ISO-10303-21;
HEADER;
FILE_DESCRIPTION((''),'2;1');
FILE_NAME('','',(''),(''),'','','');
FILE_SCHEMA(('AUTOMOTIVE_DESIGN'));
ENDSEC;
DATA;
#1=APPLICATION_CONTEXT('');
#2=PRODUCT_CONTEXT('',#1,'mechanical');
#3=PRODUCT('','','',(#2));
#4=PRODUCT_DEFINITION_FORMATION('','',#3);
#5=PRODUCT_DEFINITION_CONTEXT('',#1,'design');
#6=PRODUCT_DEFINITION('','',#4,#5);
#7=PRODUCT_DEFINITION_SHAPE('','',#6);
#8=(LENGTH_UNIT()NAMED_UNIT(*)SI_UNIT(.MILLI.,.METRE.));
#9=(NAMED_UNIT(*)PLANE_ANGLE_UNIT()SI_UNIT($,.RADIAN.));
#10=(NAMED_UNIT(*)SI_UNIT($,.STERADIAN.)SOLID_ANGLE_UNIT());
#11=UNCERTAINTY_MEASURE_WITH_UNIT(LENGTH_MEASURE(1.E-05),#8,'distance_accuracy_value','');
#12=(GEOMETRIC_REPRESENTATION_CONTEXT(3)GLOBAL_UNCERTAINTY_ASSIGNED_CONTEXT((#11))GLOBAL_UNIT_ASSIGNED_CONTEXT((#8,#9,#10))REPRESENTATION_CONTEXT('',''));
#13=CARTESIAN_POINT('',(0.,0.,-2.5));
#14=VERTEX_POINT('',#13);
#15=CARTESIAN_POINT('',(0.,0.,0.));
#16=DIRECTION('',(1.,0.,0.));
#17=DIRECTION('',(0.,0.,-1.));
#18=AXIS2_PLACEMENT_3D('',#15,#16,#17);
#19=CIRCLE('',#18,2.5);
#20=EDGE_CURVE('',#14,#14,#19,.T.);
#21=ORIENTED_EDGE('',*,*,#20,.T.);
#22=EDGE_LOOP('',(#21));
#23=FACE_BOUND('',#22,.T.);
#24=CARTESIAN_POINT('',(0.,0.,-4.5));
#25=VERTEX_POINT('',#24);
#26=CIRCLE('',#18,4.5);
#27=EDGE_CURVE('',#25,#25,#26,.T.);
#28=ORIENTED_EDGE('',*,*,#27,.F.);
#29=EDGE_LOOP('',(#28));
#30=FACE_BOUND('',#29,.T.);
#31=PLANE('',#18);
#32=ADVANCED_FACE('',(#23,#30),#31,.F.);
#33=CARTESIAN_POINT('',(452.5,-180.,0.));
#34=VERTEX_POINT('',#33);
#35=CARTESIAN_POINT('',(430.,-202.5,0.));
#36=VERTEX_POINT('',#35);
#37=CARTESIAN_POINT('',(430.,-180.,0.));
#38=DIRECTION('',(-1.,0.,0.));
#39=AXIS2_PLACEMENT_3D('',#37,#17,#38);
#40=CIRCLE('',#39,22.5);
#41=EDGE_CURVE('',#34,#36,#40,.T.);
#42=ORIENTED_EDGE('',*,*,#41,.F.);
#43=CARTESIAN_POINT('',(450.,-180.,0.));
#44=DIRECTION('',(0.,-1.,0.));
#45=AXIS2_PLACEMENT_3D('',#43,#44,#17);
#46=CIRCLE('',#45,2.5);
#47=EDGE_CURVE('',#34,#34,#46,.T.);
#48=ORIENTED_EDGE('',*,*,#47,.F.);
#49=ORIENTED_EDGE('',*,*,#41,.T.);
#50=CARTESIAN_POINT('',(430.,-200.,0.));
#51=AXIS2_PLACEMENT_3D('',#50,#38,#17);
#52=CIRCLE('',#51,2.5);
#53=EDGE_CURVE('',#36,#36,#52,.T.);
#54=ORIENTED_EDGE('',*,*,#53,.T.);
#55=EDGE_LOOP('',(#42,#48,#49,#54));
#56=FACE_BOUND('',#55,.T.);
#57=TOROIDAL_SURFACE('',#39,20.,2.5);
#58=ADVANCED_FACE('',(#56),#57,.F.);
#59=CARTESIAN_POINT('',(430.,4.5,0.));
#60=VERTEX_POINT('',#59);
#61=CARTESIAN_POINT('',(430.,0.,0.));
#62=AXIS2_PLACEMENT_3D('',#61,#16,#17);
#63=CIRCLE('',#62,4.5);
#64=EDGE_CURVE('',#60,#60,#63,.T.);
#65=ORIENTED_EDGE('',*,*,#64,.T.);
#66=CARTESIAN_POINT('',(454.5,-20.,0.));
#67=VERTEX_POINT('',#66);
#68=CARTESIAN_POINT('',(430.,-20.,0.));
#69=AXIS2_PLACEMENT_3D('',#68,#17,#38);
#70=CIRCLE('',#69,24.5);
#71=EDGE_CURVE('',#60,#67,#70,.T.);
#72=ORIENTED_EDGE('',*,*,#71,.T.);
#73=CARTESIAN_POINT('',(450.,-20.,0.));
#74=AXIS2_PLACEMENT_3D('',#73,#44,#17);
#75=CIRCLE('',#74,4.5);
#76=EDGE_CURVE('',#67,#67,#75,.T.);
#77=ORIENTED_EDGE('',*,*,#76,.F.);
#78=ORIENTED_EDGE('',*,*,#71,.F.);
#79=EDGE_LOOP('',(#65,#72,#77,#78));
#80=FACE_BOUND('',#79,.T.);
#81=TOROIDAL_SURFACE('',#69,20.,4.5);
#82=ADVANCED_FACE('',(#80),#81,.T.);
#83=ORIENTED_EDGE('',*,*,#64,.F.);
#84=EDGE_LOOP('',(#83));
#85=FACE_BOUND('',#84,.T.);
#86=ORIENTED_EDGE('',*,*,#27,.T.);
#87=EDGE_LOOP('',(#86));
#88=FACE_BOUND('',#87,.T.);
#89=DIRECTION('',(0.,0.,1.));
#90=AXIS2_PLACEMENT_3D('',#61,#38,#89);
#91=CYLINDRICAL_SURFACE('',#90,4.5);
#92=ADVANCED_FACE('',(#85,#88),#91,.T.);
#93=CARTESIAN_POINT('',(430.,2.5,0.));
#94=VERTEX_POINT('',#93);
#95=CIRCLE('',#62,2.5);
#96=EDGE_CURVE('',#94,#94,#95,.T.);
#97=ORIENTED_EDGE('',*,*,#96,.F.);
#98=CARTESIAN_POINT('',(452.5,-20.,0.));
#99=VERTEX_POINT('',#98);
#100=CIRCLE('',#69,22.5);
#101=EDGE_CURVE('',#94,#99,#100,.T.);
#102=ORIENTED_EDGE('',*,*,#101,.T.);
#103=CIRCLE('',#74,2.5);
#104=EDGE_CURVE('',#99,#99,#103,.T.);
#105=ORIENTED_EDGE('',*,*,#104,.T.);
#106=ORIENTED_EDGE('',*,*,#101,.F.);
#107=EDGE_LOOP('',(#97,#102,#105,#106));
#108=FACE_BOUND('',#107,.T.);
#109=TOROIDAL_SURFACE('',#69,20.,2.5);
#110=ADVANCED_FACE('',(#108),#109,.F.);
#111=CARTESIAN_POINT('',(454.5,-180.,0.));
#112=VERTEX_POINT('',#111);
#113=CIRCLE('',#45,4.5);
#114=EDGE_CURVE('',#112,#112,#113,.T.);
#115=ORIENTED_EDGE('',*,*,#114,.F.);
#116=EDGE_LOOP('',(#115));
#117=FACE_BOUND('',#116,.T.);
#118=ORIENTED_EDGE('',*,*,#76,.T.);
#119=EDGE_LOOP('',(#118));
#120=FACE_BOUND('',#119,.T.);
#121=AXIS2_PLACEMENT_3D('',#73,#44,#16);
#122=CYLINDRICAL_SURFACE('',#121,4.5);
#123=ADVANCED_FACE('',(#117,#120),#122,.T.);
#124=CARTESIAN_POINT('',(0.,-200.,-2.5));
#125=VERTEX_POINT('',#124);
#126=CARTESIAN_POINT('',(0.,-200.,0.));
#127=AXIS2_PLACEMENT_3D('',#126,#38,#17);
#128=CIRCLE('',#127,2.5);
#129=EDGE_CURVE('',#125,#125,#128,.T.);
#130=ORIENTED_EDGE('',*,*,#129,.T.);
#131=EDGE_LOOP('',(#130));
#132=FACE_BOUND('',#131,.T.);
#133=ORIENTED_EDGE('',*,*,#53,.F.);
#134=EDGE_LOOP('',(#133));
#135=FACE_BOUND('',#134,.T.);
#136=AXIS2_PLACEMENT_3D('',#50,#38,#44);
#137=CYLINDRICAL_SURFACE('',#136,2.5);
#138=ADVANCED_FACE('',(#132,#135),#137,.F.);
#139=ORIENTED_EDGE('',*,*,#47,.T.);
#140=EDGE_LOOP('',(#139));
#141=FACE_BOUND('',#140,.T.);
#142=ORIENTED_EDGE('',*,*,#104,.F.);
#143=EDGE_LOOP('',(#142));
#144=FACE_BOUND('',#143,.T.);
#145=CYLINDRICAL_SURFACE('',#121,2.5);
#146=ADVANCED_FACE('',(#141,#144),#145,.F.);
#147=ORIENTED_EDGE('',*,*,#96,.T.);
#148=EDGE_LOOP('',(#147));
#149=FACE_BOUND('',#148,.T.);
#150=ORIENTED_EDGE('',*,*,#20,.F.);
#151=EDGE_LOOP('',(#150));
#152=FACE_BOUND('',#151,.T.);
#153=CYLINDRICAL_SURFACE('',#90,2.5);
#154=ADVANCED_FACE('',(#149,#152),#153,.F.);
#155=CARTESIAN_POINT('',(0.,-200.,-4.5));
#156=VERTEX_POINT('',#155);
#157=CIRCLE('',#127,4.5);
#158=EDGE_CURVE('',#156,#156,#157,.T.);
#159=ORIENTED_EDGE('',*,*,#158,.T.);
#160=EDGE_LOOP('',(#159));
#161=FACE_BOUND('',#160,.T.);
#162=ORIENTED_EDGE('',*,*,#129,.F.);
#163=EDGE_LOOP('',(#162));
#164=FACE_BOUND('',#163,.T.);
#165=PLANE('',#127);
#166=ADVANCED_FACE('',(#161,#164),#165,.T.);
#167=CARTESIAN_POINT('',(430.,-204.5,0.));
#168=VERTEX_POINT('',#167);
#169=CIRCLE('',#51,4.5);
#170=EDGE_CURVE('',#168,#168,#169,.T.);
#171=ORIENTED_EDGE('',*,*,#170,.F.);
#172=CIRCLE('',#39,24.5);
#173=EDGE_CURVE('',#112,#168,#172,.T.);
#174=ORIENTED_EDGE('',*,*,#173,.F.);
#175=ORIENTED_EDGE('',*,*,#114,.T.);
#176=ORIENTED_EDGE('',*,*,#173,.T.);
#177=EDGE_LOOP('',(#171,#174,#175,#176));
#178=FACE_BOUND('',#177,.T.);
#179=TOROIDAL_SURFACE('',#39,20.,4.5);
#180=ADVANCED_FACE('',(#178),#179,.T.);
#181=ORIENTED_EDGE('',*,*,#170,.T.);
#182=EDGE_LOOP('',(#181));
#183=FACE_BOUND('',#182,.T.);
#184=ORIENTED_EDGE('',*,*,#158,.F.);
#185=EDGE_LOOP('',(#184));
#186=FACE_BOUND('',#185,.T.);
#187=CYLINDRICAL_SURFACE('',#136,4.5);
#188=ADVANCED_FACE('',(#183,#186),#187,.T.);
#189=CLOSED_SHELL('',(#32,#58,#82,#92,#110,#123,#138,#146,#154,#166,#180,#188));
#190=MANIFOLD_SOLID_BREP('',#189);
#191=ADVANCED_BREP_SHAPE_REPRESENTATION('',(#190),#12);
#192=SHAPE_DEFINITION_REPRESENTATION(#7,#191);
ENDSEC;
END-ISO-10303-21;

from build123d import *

# Parameters (mm, degrees)
SKETCH1_R   = 4.5
SKETCH1_R_2 = 2.5


with BuildPart() as part:
    # Sweep1: sweep along a path in Sketch2
    with BuildLine(Plane.XY) as sweep1_path:
        Line((0, 0), (430, 0))
        ThreePointArc((430, 0), (444.142135624, -5.857864376), (450, -20))
        Line((450, -20), (450, -180))
        ThreePointArc((450, -180), (444.142135624, -194.142135624), (430, -200))
        Line((430, -200), (0, -200))
    # Sketch1 → Sweep1 (sweep)
    with BuildSketch(Plane(origin=(0, 0, 0), x_dir=(0, 0, -1), z_dir=(1, 0, 0))):
        Circle(SKETCH1_R)
        Circle(SKETCH1_R_2, mode=Mode.SUBTRACT)
    sweep(path=sweep1_path.line)


solid = part.part
